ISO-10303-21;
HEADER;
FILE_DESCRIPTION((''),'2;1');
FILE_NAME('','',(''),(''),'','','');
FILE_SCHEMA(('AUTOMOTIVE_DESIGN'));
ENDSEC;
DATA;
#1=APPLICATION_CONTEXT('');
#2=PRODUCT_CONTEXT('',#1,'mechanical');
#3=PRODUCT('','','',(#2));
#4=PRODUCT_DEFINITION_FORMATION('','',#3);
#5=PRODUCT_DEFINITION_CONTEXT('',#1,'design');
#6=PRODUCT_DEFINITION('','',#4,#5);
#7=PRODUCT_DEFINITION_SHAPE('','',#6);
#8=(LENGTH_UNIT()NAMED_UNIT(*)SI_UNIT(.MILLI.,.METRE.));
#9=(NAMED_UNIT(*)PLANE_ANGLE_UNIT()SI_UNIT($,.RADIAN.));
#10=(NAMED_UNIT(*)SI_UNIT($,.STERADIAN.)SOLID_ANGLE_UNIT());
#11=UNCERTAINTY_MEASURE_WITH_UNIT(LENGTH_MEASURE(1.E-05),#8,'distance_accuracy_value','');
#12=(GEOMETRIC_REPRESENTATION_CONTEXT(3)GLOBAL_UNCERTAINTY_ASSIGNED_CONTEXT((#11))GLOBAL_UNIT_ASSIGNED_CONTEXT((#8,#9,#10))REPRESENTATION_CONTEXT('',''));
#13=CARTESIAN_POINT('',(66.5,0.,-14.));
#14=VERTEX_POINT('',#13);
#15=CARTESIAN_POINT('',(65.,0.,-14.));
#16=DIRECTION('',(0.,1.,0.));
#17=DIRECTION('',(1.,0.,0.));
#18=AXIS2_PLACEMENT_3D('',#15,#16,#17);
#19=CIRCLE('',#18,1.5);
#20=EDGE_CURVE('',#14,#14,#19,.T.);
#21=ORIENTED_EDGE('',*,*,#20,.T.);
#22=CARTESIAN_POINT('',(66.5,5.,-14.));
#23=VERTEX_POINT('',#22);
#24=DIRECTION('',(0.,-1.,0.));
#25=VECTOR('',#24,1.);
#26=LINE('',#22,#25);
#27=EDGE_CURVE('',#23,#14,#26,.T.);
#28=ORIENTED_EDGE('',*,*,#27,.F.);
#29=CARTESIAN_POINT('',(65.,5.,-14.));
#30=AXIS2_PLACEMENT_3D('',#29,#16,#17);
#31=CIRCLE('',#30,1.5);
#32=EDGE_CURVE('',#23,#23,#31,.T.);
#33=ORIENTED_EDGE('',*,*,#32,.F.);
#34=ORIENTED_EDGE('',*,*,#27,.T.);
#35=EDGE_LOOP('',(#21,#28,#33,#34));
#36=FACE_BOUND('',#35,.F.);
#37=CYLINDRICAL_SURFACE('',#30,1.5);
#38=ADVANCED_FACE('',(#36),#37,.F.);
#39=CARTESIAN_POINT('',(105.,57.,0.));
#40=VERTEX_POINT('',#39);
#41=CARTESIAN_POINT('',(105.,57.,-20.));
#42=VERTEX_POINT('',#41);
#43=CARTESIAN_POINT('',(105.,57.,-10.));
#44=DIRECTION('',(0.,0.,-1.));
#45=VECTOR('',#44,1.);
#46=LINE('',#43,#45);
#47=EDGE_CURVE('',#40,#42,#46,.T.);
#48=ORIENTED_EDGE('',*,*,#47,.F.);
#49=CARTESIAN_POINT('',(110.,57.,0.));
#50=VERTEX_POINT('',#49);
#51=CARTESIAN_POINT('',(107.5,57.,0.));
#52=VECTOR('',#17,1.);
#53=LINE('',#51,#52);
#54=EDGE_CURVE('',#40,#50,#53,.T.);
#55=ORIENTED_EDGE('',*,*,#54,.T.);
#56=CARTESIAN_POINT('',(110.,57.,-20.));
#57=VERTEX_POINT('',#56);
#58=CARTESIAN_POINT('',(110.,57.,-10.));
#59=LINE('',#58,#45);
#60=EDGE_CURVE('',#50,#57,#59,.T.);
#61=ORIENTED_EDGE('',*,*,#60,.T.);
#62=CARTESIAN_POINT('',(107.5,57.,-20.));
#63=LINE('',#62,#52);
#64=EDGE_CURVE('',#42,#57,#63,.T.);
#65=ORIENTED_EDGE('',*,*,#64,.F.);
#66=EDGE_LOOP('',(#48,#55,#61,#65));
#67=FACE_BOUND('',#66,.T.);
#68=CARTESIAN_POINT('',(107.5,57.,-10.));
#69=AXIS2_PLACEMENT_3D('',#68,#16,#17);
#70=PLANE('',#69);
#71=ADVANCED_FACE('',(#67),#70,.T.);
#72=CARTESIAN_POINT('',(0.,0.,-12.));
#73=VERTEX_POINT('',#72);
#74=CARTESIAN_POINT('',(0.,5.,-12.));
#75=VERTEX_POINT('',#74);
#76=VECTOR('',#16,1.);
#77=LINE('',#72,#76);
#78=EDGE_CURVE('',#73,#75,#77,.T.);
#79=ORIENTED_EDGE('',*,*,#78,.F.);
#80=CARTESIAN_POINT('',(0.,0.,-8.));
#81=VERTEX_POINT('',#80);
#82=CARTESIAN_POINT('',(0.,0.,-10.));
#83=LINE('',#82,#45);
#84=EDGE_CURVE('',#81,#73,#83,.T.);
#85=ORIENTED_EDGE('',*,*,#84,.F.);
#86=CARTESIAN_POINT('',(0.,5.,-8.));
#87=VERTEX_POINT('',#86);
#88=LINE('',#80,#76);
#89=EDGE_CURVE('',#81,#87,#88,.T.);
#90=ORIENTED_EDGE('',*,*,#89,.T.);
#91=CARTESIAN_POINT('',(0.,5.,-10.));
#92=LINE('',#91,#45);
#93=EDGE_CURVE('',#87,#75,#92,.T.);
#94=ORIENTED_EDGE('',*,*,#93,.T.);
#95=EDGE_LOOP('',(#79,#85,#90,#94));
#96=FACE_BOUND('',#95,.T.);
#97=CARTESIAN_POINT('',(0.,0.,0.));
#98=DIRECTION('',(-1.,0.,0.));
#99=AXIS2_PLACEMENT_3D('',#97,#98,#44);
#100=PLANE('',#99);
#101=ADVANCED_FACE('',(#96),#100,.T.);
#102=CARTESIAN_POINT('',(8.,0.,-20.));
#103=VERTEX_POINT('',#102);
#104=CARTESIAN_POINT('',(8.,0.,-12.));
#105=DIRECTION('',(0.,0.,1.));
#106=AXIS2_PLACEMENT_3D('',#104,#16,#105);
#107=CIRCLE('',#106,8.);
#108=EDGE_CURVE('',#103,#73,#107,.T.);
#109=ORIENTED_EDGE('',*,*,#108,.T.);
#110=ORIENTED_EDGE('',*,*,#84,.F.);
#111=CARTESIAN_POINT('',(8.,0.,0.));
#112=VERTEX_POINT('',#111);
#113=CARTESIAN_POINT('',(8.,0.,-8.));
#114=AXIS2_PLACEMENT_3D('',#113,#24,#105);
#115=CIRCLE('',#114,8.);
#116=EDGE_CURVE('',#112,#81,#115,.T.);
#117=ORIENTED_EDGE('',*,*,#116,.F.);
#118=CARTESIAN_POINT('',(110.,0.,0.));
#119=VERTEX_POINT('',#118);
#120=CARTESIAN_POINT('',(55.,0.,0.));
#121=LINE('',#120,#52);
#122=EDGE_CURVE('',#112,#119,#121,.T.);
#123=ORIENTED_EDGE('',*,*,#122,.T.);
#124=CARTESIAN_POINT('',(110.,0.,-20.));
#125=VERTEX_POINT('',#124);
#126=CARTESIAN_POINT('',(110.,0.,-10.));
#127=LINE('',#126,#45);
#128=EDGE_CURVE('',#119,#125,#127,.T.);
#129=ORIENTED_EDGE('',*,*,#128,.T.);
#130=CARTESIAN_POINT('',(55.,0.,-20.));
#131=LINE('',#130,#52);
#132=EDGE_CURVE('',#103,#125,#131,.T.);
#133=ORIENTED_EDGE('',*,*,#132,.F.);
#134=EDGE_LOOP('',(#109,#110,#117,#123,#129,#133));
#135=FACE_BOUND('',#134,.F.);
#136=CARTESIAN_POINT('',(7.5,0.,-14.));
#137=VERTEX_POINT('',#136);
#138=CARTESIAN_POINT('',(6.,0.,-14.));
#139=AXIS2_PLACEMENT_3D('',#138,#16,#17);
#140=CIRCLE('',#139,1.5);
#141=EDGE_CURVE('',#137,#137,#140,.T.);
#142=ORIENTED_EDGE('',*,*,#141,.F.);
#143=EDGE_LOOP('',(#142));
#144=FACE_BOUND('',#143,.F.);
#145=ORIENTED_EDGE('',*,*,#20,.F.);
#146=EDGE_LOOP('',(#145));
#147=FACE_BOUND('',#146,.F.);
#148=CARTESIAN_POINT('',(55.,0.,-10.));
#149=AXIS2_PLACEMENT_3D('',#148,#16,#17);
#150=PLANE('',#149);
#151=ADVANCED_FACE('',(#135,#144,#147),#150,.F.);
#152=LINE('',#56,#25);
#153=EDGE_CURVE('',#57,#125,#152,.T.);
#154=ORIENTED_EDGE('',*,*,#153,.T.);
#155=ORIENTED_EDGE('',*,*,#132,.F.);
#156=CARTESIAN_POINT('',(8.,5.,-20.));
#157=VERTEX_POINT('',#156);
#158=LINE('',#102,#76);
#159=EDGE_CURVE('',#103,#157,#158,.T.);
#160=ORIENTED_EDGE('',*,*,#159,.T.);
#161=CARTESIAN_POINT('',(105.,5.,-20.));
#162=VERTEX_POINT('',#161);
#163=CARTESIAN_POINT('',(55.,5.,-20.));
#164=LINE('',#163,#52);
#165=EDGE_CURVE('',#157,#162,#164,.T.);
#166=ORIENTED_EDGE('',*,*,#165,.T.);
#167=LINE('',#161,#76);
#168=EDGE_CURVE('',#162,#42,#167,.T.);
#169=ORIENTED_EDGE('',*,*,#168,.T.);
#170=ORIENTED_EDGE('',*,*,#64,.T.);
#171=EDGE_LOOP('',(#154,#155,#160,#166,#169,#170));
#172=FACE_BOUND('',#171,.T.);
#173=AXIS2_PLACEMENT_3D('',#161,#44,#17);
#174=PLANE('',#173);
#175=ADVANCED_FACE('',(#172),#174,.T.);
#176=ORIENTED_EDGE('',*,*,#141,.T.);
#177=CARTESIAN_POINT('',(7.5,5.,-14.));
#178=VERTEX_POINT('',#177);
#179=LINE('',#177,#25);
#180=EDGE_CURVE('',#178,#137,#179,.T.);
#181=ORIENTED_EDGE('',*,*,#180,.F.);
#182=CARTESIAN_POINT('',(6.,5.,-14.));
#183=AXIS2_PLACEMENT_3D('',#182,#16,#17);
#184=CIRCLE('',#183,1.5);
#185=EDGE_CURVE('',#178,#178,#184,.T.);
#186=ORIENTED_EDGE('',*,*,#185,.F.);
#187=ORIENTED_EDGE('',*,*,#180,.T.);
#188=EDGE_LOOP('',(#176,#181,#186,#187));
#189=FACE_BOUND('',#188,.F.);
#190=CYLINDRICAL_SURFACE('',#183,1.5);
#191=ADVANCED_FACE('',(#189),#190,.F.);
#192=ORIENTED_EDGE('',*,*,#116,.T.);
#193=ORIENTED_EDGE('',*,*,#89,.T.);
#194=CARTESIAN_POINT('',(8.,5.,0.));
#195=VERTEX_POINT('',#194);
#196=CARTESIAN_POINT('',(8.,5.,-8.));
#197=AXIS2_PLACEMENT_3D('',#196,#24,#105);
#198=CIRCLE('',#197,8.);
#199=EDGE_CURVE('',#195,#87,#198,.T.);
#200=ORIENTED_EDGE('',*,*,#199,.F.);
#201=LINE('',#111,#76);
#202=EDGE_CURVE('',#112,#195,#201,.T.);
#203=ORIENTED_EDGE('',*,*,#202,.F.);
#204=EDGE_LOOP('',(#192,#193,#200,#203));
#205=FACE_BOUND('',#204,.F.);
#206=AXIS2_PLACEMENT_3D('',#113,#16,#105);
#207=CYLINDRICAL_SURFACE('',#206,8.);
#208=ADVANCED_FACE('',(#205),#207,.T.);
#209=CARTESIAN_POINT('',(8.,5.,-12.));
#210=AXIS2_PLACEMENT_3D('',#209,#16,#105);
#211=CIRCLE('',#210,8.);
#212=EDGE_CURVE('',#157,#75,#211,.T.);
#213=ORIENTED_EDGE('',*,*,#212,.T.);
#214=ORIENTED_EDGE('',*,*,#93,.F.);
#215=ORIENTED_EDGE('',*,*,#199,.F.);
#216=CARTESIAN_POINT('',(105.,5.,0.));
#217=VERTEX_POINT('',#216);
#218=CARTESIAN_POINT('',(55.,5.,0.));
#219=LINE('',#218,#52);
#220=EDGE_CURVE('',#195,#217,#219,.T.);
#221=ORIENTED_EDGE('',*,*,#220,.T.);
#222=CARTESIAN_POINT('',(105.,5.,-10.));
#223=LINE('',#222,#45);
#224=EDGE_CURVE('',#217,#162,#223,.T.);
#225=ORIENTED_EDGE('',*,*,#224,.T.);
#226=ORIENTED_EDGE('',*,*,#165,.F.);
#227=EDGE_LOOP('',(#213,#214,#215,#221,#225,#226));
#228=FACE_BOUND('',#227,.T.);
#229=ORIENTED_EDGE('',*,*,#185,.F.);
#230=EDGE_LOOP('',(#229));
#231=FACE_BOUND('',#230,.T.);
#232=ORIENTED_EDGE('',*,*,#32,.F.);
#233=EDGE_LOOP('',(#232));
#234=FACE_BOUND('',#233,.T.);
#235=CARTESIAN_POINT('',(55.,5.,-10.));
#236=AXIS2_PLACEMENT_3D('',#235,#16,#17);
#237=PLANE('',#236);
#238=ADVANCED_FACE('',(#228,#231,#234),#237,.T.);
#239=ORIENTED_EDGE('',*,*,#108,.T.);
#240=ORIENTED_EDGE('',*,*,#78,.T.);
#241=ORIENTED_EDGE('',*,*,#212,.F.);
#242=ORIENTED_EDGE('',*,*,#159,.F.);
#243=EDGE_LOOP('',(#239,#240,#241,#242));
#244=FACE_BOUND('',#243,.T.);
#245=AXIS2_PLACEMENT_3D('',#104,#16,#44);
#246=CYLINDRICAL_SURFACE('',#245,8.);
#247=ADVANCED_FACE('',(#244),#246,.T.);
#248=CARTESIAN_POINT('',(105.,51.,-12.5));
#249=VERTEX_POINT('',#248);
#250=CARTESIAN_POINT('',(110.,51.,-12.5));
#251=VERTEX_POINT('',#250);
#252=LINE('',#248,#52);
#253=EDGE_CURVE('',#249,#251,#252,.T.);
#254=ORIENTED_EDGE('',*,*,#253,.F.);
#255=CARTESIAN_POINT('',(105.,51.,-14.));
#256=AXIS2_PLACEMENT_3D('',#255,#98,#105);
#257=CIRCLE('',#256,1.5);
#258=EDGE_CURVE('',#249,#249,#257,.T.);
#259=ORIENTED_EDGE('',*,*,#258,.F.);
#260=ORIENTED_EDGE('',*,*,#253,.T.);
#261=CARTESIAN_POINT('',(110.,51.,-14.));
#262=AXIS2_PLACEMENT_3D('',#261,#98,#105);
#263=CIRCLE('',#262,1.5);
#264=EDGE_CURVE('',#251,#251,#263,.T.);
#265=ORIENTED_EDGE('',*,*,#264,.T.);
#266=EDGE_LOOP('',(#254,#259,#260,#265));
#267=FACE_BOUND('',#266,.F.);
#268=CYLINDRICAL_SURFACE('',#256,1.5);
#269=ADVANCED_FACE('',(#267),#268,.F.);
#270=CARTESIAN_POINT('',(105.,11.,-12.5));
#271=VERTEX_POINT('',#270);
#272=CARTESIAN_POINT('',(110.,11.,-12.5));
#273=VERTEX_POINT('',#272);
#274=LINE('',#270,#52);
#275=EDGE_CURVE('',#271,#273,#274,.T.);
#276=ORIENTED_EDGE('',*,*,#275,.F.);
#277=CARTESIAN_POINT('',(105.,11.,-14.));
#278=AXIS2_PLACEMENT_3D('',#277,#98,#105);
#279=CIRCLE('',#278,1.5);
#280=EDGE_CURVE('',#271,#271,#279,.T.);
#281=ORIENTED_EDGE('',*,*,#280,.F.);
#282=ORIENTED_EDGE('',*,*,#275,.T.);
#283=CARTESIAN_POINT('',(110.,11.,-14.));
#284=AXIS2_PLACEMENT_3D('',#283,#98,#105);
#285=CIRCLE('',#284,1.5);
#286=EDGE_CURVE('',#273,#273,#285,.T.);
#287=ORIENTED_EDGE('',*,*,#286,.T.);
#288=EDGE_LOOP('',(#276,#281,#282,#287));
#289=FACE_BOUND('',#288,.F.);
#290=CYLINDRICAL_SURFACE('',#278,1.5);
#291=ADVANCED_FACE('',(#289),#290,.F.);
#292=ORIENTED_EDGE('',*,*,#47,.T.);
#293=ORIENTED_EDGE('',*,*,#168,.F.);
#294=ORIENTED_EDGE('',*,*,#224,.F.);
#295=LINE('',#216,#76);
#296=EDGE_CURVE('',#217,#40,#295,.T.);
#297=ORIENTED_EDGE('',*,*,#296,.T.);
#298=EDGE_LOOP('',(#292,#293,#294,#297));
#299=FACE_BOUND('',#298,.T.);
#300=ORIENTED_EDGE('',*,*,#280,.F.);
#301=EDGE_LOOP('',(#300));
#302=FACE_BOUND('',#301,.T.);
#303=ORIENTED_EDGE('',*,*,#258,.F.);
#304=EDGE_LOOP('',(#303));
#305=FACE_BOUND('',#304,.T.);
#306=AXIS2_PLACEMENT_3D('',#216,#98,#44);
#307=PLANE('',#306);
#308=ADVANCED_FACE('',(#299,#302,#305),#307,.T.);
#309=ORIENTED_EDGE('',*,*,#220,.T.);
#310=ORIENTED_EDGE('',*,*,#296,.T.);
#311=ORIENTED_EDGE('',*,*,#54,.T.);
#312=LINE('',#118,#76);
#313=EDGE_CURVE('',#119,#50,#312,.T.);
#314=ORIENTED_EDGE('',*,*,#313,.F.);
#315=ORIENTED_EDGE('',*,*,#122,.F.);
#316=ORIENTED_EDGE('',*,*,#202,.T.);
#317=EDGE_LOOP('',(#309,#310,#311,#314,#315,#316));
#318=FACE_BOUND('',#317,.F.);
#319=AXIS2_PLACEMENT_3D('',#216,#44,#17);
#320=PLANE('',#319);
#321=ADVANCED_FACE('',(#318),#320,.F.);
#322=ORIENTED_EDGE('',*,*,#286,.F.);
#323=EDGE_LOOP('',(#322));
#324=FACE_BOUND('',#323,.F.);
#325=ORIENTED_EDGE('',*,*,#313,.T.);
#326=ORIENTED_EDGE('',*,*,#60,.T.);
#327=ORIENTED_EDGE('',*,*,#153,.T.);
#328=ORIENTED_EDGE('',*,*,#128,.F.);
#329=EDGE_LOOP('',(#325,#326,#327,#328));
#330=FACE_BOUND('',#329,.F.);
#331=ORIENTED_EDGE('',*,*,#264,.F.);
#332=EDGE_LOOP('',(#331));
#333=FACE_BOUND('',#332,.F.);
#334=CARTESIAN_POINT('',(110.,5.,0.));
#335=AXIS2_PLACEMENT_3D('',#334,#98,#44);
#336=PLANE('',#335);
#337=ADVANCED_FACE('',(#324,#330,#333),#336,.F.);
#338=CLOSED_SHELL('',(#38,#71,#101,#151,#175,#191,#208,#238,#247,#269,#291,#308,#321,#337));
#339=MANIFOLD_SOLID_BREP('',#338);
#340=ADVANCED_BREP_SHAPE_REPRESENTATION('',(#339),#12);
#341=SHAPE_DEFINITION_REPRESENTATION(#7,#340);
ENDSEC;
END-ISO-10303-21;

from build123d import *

# Parameters (mm, degrees)
SKETCH1_W           = 110
SKETCH1_H           = 20
BOSS_EXTRUDE1_DEPTH = 5
SKETCH2_W           = 5
SKETCH2_H           = 20
BOSS_EXTRUDE2_DEPTH = 52
SKETCH3_R           = 1.5
CUT_EXTRUDE1_DEPTH  = 6
FILLET1_R           = 8
SKETCH4_R           = 1.5
CUT_EXTRUDE2_DEPTH  = 6


with BuildPart() as part:
    # Sketch1 → Boss-Extrude1 (new body)
    with BuildSketch(Plane(origin=(0, 0, 0), x_dir=(1, 0, 0), z_dir=(0, 1, 0))):
        with Locations((55, 10)):
            Rectangle(SKETCH1_W, SKETCH1_H)
    extrude(amount=BOSS_EXTRUDE1_DEPTH)

    # Sketch2 → Boss-Extrude2 (add)
    with BuildSketch(Plane(origin=(0, 5, 0), x_dir=(1, 0, 0), z_dir=(0, 1, 0))):
        with Locations((107.5, 10)):
            Rectangle(SKETCH2_W, SKETCH2_H)
    extrude(amount=BOSS_EXTRUDE2_DEPTH)

    # Sketch3 → Cut-Extrude1 (cut, through all)
    with BuildSketch(Plane(origin=(0, 5, 0), x_dir=(1, 0, 0), z_dir=(0, 1, 0))):
        with Locations((6, 14)):
            Circle(SKETCH3_R)
        with Locations((65, 14)):
            Circle(SKETCH3_R)
    extrude(amount=-CUT_EXTRUDE1_DEPTH, mode=Mode.SUBTRACT)

    # Fillet1
    fillet1_edges = [part.edges().sort_by_distance(p)[0] for p in [
        (0, 2.5, 0),
        (0, 2.5, -20),
    ]]
    fillet(fillet1_edges, radius=FILLET1_R)

    # Sketch4 → Cut-Extrude2 (cut, through all)
    with BuildSketch(Plane.ZY.offset(-105)):
        with Locations((-14, 11)):
            Circle(SKETCH4_R)
        with Locations((-14, 51)):
            Circle(SKETCH4_R)
    extrude(amount=-CUT_EXTRUDE2_DEPTH, mode=Mode.SUBTRACT)


solid = part.part
